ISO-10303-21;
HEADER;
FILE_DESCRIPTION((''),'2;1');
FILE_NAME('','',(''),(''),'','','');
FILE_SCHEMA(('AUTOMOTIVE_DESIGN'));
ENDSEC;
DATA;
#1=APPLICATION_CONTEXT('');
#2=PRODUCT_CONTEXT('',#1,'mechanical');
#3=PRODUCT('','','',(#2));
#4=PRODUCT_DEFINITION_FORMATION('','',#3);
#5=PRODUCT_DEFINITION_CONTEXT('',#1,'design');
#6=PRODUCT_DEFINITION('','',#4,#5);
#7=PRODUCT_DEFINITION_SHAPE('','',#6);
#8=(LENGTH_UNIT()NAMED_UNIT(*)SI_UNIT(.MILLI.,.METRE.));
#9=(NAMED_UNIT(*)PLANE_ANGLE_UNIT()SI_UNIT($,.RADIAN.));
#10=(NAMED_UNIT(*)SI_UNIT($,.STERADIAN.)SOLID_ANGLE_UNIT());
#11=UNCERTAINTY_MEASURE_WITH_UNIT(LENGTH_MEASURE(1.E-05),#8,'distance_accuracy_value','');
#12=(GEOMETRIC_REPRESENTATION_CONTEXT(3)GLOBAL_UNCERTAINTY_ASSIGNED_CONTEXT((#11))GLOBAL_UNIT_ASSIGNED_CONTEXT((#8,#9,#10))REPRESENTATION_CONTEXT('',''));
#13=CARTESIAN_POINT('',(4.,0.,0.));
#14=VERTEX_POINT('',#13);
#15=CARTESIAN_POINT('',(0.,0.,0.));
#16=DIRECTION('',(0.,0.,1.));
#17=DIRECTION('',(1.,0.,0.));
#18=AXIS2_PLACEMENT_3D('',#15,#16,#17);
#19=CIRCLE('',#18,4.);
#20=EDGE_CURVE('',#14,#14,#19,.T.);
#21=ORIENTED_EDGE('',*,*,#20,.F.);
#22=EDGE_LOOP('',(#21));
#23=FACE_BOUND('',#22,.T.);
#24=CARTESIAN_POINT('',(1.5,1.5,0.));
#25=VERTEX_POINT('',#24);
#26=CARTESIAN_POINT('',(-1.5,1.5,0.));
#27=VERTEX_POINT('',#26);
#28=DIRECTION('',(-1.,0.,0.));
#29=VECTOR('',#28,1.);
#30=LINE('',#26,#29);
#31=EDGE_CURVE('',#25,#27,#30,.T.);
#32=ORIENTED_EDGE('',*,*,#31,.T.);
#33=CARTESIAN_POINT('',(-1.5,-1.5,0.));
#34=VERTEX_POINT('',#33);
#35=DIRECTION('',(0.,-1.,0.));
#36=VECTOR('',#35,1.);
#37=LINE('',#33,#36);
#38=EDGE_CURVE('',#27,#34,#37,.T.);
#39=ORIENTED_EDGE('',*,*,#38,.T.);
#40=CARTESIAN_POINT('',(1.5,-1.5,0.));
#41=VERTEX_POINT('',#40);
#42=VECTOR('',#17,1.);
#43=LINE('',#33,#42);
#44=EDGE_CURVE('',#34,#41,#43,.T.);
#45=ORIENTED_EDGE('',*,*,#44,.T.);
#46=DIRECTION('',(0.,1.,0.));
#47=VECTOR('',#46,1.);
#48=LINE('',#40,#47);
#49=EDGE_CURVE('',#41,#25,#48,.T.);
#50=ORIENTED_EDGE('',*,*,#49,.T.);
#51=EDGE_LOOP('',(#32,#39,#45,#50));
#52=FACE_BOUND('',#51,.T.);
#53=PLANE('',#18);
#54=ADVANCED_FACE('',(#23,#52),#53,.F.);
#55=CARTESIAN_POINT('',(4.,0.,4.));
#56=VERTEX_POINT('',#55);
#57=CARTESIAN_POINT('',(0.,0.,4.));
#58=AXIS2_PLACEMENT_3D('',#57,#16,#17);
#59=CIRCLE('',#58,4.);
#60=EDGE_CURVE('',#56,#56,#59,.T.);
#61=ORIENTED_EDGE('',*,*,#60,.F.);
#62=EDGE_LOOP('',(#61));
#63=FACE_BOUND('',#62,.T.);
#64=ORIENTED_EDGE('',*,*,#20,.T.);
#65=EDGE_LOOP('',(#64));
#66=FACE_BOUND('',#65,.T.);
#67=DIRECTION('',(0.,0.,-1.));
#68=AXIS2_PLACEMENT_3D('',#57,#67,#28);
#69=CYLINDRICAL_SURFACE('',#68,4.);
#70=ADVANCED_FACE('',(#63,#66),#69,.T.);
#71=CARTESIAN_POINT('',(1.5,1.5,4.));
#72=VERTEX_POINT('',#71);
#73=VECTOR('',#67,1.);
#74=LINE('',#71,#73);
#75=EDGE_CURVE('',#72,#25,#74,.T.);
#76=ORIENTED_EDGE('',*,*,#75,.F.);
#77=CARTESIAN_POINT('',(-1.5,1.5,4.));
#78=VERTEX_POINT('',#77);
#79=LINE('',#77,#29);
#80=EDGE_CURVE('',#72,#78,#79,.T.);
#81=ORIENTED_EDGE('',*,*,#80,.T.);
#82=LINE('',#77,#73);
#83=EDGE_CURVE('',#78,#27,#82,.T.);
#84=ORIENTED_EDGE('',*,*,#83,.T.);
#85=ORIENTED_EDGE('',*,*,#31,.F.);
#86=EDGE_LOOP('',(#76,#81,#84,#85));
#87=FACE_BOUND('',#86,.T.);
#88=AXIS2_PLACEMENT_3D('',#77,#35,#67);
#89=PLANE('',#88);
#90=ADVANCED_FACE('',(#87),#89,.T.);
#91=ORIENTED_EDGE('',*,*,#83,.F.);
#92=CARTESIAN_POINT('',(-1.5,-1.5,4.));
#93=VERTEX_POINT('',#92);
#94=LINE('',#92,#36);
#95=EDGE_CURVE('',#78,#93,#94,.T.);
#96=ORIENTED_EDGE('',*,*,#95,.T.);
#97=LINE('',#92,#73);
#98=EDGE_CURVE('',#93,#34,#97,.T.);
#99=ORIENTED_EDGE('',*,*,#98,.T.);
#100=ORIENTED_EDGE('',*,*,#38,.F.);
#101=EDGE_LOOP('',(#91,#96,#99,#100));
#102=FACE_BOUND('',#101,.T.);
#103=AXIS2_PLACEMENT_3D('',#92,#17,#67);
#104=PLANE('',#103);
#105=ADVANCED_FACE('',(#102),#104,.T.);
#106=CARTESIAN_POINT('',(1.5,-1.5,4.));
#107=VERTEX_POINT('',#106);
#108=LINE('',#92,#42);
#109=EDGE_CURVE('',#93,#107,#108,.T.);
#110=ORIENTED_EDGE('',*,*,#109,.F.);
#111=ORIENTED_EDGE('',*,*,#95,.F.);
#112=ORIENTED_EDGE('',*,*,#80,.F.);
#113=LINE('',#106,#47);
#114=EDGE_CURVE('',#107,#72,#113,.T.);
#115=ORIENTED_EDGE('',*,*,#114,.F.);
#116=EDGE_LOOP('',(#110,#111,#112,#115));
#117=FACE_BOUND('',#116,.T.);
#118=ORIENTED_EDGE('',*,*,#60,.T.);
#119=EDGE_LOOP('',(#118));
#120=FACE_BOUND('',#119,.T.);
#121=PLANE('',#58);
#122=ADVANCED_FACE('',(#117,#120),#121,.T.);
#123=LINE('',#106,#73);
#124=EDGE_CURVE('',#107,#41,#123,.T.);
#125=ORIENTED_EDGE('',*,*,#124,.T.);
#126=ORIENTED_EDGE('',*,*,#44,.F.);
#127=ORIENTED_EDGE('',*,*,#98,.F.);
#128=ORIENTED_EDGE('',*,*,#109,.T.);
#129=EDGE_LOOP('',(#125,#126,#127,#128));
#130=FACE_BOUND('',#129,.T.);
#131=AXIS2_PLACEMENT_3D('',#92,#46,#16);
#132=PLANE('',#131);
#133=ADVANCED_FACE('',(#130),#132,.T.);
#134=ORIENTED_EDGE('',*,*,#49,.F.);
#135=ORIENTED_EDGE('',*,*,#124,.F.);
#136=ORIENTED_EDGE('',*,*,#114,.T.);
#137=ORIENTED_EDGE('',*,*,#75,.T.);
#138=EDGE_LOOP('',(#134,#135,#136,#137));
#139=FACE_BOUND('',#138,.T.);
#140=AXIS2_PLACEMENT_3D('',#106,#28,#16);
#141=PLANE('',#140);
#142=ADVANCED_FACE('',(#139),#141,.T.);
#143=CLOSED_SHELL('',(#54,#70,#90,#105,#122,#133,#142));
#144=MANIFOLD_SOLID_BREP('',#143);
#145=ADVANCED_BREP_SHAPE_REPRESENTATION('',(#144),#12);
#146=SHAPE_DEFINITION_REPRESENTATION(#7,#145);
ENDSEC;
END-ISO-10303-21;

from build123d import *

# Parameters (mm, degrees)
SKETCH_1_R      = 4
SKETCH_1_W      = 3
SKETCH_1_H      = 3
EXTRUDE_1_DEPTH = 4


with BuildPart() as part:
    # 草图1 → 凸台-拉伸1 (new body)
    with BuildSketch(Plane.XY):
        Circle(SKETCH_1_R)
        Rectangle(SKETCH_1_W, SKETCH_1_H, mode=Mode.SUBTRACT)
    extrude(amount=EXTRUDE_1_DEPTH)


solid = part.part
